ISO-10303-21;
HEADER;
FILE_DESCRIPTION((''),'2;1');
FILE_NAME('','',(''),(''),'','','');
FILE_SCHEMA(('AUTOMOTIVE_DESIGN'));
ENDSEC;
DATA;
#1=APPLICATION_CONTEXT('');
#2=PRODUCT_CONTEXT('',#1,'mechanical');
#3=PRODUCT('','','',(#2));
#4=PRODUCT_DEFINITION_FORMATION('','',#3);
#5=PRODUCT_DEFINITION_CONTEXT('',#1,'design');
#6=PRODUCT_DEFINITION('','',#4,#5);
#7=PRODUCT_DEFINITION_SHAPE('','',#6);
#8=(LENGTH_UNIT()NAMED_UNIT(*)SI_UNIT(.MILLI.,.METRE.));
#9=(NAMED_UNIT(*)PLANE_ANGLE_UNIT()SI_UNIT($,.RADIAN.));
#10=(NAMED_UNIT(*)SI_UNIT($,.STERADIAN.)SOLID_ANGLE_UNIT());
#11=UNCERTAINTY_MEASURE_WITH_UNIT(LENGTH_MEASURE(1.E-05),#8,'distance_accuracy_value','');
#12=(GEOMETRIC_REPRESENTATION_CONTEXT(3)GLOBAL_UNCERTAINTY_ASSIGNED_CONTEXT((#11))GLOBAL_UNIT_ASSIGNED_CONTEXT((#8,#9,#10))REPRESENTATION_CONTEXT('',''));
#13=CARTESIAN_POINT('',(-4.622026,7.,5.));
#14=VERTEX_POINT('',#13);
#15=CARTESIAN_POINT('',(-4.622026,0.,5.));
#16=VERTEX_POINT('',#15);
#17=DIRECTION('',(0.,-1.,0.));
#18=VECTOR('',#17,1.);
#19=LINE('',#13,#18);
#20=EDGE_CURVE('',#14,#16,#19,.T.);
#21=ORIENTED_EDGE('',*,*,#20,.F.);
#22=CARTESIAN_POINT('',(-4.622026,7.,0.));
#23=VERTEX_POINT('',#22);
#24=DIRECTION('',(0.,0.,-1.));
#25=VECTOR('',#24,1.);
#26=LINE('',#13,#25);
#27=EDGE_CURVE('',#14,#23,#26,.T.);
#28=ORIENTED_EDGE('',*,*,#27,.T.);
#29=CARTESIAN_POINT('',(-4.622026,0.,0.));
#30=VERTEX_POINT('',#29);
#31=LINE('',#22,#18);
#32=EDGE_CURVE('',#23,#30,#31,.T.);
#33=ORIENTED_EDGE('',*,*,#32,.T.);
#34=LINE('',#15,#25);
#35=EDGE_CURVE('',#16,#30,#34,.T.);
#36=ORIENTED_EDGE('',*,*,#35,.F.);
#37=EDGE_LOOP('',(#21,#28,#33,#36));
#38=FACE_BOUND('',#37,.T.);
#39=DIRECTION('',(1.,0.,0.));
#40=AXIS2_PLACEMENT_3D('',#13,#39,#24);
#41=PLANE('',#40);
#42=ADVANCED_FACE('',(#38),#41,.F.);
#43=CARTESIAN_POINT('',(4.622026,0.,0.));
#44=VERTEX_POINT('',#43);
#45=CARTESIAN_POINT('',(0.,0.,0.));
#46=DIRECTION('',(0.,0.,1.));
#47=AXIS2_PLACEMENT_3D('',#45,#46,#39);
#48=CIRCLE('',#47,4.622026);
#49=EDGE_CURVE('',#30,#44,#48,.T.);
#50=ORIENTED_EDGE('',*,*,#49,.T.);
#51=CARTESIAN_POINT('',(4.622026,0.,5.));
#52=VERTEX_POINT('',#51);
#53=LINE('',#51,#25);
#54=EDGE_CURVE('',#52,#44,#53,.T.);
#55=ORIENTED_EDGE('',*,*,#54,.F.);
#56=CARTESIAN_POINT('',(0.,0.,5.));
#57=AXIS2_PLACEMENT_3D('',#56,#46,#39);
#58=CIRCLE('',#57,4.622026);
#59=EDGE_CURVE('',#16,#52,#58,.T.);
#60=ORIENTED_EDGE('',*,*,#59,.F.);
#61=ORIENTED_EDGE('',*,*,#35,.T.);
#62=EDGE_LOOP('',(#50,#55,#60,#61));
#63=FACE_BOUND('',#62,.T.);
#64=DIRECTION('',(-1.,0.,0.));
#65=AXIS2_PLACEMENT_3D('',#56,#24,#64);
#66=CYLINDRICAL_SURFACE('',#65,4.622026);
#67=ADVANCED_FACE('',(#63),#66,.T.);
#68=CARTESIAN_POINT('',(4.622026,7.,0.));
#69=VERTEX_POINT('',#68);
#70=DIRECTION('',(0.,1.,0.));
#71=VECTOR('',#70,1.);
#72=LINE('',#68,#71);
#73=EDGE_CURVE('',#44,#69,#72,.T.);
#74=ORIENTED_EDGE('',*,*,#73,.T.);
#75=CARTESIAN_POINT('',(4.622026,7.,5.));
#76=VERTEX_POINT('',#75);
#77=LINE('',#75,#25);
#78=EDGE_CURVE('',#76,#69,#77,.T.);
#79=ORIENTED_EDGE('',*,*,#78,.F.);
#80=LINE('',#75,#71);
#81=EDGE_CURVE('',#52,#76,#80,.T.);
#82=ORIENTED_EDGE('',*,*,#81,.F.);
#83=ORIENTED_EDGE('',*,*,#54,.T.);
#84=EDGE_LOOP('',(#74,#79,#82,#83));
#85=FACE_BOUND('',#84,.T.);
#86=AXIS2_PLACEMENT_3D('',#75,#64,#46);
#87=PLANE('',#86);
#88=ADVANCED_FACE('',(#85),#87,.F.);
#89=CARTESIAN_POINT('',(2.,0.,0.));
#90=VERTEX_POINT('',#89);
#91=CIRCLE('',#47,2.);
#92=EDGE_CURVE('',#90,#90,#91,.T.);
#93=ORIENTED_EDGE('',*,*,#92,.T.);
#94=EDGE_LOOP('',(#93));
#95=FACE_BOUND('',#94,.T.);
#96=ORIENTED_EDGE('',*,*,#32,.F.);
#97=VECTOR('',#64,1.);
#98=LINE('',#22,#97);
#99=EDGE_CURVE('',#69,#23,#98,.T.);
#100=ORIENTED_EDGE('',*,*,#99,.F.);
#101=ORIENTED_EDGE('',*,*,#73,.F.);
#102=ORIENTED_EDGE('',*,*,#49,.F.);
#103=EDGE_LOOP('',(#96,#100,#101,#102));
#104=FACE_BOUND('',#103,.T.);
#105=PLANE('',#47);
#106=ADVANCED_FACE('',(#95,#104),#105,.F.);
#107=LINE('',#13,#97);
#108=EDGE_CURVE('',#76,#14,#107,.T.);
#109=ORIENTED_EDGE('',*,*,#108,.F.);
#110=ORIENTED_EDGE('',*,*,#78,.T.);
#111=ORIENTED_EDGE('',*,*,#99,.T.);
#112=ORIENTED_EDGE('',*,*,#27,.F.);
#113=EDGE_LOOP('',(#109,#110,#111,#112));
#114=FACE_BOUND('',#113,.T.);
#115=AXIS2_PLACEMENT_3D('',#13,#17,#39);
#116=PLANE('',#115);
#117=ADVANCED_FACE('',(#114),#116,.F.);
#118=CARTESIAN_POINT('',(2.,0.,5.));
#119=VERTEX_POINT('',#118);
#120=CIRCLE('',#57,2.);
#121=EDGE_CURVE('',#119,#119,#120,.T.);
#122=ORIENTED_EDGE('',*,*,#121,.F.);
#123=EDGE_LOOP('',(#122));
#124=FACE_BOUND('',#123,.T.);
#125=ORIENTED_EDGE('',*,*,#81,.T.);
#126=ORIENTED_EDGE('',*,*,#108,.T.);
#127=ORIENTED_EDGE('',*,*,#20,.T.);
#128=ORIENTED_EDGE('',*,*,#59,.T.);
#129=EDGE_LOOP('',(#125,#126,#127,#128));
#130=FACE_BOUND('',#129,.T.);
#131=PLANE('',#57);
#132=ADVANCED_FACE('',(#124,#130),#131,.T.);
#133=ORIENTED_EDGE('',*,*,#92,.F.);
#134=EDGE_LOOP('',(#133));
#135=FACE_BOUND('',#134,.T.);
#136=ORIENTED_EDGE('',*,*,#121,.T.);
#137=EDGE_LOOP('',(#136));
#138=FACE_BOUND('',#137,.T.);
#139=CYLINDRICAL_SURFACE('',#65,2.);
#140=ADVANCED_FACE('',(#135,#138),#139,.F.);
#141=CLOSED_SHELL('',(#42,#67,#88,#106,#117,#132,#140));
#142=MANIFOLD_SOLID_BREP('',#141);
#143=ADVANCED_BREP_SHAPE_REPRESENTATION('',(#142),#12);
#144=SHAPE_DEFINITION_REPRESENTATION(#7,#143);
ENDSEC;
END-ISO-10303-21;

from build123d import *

# Parameters (mm, degrees)
SKETCH3_R           = 2
BOSS_EXTRUDE2_DEPTH = 5


with BuildPart() as part:
    # Sketch3 → Boss-Extrude2 (new body)
    with BuildSketch(Plane.XY):
        with BuildLine():
            Line((-4.622026219, 7), (-4.622026219, 0))
            ThreePointArc((-4.622026219, 0), (0, -4.622026219), (4.622026219, 0))
            Line((4.622026219, 0), (4.622026219, 7))
            Line((4.622026219, 7), (-4.622026219, 7))
        make_face()
        Circle(SKETCH3_R, mode=Mode.SUBTRACT)
    extrude(amount=BOSS_EXTRUDE2_DEPTH)


solid = part.part
